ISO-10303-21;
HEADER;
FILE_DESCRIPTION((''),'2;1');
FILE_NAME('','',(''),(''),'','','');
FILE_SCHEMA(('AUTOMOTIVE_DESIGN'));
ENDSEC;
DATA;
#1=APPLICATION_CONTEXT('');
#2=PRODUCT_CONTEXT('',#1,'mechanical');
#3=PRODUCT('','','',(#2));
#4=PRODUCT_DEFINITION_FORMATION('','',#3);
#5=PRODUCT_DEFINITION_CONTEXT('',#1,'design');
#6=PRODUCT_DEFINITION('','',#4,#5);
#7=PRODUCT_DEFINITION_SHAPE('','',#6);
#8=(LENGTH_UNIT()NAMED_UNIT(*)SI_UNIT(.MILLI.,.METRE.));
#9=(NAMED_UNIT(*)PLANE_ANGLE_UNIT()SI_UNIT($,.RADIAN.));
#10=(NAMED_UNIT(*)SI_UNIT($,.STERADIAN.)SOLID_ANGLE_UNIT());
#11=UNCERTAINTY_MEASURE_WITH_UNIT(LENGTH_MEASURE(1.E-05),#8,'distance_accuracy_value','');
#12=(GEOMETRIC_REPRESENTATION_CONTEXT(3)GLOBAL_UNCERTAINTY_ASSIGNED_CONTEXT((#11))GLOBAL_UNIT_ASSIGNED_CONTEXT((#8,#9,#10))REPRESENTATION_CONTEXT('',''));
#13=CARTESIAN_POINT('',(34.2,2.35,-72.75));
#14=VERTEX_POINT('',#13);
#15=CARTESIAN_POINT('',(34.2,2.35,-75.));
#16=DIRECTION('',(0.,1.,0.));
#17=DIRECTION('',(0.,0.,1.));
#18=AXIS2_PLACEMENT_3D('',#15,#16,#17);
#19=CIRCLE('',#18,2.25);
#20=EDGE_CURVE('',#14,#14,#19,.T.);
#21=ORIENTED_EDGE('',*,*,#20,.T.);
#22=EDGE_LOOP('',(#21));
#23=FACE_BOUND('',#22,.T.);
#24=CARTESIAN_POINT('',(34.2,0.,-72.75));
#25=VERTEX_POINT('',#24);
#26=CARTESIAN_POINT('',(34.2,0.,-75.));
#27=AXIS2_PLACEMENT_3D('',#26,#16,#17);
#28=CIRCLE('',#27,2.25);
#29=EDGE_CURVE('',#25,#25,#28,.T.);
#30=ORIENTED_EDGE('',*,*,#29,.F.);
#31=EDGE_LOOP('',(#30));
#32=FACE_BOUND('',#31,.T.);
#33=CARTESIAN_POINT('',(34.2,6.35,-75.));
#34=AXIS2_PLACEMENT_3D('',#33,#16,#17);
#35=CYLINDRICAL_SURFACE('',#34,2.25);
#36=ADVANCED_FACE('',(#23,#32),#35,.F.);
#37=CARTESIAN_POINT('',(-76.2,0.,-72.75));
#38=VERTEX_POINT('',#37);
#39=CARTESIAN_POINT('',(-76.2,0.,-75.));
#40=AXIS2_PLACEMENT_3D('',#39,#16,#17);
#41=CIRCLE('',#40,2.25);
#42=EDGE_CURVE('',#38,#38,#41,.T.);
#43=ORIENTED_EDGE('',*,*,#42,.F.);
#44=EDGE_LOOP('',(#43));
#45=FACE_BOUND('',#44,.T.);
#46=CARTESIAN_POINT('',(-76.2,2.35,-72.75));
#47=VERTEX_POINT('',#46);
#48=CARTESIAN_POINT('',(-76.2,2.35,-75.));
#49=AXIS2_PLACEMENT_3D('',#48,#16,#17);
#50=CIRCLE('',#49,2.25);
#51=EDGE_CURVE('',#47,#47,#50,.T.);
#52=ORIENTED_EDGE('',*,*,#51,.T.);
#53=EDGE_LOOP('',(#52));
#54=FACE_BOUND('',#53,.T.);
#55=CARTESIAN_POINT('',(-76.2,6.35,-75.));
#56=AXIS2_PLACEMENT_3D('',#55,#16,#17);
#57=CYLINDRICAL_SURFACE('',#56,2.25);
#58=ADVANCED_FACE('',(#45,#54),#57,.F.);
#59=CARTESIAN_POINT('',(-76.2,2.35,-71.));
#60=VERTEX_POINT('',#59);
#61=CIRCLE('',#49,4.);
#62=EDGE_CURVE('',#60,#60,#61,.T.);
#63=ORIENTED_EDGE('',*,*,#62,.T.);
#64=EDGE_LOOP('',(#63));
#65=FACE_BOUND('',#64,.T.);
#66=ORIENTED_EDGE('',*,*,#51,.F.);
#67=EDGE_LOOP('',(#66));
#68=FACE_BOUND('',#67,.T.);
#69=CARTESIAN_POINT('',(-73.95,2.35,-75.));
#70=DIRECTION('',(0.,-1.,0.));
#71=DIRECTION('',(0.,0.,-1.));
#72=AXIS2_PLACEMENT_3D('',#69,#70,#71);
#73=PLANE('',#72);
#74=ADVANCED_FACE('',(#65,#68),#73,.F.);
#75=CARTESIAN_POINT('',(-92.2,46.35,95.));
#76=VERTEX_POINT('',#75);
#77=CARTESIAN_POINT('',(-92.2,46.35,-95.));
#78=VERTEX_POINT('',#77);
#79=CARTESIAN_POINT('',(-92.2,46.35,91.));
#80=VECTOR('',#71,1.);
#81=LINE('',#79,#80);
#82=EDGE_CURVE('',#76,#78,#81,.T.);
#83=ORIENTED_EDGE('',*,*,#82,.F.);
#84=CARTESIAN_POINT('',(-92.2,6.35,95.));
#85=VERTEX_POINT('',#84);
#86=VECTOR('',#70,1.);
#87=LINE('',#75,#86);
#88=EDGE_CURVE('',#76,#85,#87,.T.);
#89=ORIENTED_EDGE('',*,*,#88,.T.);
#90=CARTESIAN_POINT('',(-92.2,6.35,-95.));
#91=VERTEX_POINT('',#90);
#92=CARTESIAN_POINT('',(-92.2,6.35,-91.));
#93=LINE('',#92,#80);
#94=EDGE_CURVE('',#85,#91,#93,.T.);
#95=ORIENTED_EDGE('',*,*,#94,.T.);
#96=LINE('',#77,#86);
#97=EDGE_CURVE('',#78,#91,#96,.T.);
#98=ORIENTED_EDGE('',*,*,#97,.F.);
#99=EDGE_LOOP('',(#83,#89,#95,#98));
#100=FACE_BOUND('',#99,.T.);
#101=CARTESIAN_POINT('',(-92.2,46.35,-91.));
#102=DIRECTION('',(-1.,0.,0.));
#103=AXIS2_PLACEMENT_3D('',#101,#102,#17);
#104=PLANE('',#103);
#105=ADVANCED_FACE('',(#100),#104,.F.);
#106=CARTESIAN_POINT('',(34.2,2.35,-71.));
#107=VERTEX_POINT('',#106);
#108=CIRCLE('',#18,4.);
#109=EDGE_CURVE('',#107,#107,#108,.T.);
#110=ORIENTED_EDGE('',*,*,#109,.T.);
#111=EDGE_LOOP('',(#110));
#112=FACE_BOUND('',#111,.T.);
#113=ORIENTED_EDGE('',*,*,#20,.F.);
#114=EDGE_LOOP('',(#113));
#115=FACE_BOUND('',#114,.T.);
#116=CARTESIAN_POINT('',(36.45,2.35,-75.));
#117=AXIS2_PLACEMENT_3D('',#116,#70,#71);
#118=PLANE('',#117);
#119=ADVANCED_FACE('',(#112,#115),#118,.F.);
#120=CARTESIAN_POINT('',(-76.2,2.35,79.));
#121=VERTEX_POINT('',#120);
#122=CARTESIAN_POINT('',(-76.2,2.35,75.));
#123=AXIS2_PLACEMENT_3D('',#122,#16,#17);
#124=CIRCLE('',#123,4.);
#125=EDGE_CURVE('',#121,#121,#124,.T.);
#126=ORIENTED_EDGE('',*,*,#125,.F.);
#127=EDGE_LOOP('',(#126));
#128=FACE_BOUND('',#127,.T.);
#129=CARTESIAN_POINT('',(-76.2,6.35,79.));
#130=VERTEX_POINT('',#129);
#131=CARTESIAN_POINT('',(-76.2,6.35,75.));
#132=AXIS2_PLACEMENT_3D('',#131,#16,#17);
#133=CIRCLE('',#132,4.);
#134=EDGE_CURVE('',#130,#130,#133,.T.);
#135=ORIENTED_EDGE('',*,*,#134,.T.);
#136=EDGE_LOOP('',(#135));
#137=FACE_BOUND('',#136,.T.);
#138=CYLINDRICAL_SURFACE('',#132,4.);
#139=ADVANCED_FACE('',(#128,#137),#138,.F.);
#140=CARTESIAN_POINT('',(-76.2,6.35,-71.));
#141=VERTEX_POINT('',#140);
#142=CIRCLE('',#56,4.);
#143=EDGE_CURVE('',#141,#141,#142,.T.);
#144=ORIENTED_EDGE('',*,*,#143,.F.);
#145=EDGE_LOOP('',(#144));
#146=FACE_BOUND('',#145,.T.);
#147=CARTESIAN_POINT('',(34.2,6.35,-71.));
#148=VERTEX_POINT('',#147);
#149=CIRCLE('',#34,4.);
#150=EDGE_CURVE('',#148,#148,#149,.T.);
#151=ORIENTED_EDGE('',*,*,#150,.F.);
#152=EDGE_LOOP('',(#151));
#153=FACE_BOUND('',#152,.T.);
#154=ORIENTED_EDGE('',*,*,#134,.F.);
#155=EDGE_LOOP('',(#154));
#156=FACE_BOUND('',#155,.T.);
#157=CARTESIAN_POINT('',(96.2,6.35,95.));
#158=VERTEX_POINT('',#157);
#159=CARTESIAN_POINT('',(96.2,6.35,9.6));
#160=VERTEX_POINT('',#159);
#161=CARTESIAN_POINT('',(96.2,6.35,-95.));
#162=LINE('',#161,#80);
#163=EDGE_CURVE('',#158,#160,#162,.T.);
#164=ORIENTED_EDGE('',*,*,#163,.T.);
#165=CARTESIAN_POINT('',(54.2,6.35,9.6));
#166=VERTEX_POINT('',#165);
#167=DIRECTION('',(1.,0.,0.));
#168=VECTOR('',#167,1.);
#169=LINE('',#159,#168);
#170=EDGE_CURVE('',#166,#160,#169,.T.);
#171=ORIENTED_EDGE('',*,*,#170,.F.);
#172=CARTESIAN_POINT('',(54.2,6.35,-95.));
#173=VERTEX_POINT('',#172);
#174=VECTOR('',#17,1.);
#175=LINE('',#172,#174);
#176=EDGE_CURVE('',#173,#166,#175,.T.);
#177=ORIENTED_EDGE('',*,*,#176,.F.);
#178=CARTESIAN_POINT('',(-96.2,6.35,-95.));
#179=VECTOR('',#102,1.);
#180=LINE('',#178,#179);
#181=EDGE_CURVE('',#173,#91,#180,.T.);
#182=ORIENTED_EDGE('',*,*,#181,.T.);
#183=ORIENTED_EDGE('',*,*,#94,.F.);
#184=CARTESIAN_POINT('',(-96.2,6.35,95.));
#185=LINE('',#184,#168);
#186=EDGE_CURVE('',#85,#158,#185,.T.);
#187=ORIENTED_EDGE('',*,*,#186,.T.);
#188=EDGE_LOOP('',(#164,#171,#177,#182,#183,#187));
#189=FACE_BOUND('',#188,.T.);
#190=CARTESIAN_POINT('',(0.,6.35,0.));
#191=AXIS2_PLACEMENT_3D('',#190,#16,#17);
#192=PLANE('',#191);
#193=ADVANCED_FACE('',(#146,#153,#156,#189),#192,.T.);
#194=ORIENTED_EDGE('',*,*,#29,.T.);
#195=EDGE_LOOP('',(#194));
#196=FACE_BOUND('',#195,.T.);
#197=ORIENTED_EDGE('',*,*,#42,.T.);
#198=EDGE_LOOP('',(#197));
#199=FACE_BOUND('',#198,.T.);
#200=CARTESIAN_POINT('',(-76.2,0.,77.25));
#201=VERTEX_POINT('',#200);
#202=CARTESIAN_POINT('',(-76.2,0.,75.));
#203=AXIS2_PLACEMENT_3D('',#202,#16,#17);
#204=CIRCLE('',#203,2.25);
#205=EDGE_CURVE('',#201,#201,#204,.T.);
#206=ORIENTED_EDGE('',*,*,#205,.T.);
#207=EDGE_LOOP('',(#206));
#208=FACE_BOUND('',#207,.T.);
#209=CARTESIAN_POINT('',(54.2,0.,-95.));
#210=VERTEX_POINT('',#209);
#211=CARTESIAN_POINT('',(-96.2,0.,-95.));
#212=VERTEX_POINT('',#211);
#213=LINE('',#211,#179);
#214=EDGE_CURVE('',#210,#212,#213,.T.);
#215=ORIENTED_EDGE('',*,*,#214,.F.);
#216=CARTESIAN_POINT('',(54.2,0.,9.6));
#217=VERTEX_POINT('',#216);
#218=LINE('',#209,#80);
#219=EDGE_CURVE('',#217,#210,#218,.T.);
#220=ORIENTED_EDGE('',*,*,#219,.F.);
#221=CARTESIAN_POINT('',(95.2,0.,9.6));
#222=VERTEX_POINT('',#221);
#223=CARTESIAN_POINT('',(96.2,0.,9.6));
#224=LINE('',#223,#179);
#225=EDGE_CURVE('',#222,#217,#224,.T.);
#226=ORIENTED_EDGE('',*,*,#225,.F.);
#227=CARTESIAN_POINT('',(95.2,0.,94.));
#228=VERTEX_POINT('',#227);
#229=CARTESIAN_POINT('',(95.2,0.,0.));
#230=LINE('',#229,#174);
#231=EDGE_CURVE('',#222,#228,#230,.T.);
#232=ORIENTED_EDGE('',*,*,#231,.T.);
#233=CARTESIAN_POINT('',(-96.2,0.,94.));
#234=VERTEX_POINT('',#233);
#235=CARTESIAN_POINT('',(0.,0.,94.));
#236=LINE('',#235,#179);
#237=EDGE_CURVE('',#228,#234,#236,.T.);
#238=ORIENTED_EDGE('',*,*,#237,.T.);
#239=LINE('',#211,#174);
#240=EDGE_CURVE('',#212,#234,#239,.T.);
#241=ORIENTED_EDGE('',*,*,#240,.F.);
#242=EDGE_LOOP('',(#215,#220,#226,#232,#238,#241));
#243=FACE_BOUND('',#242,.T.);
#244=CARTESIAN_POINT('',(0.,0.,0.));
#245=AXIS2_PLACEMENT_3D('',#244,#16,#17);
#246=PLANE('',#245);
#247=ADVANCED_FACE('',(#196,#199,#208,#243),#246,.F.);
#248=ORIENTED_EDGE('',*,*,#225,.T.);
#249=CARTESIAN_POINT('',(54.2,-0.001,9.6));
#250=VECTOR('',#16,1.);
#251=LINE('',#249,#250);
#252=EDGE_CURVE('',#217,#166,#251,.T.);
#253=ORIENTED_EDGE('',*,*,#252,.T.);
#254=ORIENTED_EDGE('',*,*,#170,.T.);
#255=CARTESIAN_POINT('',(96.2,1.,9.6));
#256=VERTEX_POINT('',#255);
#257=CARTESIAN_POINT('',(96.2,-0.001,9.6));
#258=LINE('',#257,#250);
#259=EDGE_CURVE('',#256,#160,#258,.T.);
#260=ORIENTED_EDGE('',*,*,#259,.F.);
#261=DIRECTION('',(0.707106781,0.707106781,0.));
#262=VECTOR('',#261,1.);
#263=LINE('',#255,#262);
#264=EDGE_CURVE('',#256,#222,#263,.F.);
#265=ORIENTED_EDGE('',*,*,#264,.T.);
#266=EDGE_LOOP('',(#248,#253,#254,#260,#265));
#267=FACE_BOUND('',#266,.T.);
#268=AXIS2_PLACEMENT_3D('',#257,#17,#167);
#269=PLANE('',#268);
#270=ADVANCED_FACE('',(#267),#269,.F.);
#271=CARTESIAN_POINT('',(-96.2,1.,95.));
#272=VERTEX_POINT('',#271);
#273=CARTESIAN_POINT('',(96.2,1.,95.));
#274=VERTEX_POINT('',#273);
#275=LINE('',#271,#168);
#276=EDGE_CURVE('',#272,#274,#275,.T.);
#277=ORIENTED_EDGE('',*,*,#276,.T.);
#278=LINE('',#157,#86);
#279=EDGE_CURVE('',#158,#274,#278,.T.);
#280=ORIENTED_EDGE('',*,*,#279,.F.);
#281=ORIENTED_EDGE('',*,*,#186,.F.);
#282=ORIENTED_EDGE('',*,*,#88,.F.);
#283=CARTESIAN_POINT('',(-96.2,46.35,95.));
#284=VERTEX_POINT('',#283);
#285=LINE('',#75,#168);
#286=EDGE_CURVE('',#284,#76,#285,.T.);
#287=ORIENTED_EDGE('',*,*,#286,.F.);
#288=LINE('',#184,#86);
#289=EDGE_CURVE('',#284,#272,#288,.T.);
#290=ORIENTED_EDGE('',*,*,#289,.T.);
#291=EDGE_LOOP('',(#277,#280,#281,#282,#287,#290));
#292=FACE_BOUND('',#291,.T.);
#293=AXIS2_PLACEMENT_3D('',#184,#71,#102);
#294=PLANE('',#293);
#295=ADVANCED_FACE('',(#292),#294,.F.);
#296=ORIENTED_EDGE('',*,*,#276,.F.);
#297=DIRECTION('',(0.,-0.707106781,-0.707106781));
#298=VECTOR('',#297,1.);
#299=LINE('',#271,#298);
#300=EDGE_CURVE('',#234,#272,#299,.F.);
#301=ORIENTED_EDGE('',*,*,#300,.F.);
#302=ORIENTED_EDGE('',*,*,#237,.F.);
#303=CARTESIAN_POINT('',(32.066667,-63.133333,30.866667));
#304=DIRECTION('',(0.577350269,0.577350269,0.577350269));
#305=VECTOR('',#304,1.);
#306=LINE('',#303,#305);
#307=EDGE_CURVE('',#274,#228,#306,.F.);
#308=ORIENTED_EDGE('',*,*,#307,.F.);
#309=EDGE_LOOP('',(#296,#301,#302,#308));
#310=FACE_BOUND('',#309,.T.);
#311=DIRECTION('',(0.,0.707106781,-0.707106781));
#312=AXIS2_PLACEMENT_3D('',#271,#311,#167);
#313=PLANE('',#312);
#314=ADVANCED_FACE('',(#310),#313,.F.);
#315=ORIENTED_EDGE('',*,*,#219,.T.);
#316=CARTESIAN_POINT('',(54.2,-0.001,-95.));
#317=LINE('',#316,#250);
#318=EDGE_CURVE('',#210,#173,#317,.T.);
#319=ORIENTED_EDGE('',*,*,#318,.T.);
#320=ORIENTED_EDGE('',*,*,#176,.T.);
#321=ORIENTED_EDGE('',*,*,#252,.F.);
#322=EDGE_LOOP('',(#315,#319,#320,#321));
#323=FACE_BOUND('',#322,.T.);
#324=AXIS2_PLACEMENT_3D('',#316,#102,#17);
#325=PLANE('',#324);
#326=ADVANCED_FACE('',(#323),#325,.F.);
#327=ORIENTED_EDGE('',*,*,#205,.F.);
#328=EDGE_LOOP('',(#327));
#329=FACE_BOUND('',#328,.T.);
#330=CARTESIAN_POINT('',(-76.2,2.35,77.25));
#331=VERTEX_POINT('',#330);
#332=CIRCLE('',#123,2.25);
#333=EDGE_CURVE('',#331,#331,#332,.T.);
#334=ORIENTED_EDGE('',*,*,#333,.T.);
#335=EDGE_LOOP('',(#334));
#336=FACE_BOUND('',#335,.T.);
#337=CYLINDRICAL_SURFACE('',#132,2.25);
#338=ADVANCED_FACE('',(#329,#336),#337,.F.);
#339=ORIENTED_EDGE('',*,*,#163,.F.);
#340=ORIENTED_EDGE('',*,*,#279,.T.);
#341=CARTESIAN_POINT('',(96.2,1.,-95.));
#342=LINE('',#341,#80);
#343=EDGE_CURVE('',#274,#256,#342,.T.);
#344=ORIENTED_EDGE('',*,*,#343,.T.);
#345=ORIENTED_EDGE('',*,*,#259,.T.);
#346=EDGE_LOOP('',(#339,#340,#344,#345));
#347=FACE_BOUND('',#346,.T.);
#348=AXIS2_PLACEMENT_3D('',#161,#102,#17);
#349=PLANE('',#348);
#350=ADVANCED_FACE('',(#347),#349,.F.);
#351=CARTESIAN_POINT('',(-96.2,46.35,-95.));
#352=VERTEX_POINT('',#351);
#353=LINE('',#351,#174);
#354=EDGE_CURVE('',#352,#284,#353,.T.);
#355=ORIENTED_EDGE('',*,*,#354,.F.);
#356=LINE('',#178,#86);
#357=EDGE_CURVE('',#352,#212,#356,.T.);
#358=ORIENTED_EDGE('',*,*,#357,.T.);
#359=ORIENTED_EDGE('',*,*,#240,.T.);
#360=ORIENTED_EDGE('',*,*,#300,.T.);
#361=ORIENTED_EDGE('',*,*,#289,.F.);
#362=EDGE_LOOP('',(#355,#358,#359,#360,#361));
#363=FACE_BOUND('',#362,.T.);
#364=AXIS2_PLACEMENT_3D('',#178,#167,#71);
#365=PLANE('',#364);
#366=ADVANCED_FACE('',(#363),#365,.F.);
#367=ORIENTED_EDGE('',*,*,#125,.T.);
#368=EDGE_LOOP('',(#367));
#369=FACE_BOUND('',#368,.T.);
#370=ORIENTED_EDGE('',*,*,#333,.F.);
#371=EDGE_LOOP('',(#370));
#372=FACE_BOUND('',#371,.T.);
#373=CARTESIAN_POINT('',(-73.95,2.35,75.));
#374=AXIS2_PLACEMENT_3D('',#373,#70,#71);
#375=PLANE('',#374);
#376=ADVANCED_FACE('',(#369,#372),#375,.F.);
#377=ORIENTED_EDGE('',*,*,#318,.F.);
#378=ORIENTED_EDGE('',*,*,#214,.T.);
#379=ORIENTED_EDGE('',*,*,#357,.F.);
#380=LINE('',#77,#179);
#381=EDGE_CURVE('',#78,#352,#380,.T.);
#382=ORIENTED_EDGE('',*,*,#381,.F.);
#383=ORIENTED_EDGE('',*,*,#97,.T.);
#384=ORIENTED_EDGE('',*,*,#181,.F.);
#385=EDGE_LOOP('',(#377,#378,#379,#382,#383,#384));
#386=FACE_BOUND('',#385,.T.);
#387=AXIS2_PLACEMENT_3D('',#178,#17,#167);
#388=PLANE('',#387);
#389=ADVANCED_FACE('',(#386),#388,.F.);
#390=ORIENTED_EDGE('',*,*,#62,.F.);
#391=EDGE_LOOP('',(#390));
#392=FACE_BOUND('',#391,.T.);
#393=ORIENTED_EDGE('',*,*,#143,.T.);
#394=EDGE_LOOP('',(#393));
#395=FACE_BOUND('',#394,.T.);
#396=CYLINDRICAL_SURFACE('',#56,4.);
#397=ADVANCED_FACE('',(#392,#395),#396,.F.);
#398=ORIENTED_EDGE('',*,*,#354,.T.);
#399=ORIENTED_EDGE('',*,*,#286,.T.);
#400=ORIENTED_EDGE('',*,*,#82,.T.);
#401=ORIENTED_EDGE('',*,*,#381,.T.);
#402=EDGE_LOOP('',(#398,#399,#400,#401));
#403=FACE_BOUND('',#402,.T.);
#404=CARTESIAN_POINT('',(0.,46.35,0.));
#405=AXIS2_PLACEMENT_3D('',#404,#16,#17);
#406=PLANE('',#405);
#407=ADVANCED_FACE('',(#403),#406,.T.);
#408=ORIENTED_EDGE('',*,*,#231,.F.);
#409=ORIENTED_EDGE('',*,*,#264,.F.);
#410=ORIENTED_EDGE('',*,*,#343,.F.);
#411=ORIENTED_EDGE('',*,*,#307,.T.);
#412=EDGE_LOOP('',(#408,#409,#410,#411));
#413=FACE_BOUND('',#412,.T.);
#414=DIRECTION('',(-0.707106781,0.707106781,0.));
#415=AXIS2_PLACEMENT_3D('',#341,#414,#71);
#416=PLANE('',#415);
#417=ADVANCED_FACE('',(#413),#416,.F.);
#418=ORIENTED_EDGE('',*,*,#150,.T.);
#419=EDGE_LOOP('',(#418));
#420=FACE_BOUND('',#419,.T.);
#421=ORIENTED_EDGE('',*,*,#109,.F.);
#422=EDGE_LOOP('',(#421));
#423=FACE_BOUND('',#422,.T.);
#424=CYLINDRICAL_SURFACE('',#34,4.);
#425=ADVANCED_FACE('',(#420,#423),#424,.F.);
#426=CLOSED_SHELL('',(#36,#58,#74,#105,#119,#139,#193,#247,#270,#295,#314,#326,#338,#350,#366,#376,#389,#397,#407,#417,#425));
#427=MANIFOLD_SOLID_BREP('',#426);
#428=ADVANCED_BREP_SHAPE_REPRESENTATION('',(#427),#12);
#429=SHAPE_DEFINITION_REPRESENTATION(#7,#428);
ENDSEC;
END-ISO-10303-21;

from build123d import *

# Parameters (mm, degrees)
SKETCH1_W                      = 192.4
SKETCH1_H                      = 190
BOSS_EXTRUDE1_DEPTH            = 6.35
BOSS_EXTRUDE2_DEPTH            = 40
CUT_EXTRUDE1_REACH             = 8.35
SKETCH4_W                      = 42
SKETCH4_H                      = 104.6
CBORE_FOR_M4_SHCS1_D           = 4.5
CBORE_FOR_M4_SHCS1_DEPTH       = 6.35
CBORE_FOR_M4_SHCS1_CBORE_D     = 8
CBORE_FOR_M4_SHCS1_CBORE_DEPTH = 4
CHAMFER1_SIZE                  = 1


with BuildPart() as part:
    # Sketch1 → Boss-Extrude1 (new body)
    with BuildSketch(Plane(origin=(0, 0, 0), x_dir=(1, 0, 0), z_dir=(0, 1, 0))):
        Rectangle(SKETCH1_W, SKETCH1_H)
    extrude(amount=BOSS_EXTRUDE1_DEPTH)

    # Sketch2 → Boss-Extrude2 (add)
    with BuildSketch(Plane(origin=(0, 6.35, 0), x_dir=(1, 0, 0), z_dir=(0, 1, 0))):
        Polygon((-92.2, 91), (-92.2, -91), (-92.2, -95), (-96.2, -95), (-96.2, 95), (-92.2, 95), align=None)
    extrude(amount=BOSS_EXTRUDE2_DEPTH)

    # Sketch4 → Cut-Extrude1 (cut, up to next)
    with BuildSketch(Plane(origin=(0, 6.35, 0), x_dir=(1, 0, 0), z_dir=(0, 1, 0)), mode=Mode.PRIVATE) as cut_extrude1_sk1:
        with Locations((75.2, 42.7)):
            Rectangle(SKETCH4_W, SKETCH4_H)
    cut_extrude1_tool1 = extrude(cut_extrude1_sk1.sketch, amount=-CUT_EXTRUDE1_REACH, mode=Mode.PRIVATE) & part.part
    add(cut_extrude1_tool1.solids().sort_by_distance((75.2, 6.35, -42.7))[0], mode=Mode.SUBTRACT)

    # CBORE for M4 SHCS1
    with Locations(Plane(origin=(0, 6.35, 0), x_dir=(1, 0, 0), z_dir=(0, 1, 0))):
        with Locations((34.2, 75), (-76.2, 75), (-76.2, -75)):
            CounterBoreHole(CBORE_FOR_M4_SHCS1_D / 2, CBORE_FOR_M4_SHCS1_CBORE_D / 2, CBORE_FOR_M4_SHCS1_CBORE_DEPTH, depth=CBORE_FOR_M4_SHCS1_DEPTH)

    # Chamfer1
    chamfer1_edges = [part.edges().sort_by_distance(p)[0] for p in [
        (0, 0, 95),
        (96.2, 0, 52.3),
    ]]
    chamfer(chamfer1_edges, length=CHAMFER1_SIZE)


solid = part.part
